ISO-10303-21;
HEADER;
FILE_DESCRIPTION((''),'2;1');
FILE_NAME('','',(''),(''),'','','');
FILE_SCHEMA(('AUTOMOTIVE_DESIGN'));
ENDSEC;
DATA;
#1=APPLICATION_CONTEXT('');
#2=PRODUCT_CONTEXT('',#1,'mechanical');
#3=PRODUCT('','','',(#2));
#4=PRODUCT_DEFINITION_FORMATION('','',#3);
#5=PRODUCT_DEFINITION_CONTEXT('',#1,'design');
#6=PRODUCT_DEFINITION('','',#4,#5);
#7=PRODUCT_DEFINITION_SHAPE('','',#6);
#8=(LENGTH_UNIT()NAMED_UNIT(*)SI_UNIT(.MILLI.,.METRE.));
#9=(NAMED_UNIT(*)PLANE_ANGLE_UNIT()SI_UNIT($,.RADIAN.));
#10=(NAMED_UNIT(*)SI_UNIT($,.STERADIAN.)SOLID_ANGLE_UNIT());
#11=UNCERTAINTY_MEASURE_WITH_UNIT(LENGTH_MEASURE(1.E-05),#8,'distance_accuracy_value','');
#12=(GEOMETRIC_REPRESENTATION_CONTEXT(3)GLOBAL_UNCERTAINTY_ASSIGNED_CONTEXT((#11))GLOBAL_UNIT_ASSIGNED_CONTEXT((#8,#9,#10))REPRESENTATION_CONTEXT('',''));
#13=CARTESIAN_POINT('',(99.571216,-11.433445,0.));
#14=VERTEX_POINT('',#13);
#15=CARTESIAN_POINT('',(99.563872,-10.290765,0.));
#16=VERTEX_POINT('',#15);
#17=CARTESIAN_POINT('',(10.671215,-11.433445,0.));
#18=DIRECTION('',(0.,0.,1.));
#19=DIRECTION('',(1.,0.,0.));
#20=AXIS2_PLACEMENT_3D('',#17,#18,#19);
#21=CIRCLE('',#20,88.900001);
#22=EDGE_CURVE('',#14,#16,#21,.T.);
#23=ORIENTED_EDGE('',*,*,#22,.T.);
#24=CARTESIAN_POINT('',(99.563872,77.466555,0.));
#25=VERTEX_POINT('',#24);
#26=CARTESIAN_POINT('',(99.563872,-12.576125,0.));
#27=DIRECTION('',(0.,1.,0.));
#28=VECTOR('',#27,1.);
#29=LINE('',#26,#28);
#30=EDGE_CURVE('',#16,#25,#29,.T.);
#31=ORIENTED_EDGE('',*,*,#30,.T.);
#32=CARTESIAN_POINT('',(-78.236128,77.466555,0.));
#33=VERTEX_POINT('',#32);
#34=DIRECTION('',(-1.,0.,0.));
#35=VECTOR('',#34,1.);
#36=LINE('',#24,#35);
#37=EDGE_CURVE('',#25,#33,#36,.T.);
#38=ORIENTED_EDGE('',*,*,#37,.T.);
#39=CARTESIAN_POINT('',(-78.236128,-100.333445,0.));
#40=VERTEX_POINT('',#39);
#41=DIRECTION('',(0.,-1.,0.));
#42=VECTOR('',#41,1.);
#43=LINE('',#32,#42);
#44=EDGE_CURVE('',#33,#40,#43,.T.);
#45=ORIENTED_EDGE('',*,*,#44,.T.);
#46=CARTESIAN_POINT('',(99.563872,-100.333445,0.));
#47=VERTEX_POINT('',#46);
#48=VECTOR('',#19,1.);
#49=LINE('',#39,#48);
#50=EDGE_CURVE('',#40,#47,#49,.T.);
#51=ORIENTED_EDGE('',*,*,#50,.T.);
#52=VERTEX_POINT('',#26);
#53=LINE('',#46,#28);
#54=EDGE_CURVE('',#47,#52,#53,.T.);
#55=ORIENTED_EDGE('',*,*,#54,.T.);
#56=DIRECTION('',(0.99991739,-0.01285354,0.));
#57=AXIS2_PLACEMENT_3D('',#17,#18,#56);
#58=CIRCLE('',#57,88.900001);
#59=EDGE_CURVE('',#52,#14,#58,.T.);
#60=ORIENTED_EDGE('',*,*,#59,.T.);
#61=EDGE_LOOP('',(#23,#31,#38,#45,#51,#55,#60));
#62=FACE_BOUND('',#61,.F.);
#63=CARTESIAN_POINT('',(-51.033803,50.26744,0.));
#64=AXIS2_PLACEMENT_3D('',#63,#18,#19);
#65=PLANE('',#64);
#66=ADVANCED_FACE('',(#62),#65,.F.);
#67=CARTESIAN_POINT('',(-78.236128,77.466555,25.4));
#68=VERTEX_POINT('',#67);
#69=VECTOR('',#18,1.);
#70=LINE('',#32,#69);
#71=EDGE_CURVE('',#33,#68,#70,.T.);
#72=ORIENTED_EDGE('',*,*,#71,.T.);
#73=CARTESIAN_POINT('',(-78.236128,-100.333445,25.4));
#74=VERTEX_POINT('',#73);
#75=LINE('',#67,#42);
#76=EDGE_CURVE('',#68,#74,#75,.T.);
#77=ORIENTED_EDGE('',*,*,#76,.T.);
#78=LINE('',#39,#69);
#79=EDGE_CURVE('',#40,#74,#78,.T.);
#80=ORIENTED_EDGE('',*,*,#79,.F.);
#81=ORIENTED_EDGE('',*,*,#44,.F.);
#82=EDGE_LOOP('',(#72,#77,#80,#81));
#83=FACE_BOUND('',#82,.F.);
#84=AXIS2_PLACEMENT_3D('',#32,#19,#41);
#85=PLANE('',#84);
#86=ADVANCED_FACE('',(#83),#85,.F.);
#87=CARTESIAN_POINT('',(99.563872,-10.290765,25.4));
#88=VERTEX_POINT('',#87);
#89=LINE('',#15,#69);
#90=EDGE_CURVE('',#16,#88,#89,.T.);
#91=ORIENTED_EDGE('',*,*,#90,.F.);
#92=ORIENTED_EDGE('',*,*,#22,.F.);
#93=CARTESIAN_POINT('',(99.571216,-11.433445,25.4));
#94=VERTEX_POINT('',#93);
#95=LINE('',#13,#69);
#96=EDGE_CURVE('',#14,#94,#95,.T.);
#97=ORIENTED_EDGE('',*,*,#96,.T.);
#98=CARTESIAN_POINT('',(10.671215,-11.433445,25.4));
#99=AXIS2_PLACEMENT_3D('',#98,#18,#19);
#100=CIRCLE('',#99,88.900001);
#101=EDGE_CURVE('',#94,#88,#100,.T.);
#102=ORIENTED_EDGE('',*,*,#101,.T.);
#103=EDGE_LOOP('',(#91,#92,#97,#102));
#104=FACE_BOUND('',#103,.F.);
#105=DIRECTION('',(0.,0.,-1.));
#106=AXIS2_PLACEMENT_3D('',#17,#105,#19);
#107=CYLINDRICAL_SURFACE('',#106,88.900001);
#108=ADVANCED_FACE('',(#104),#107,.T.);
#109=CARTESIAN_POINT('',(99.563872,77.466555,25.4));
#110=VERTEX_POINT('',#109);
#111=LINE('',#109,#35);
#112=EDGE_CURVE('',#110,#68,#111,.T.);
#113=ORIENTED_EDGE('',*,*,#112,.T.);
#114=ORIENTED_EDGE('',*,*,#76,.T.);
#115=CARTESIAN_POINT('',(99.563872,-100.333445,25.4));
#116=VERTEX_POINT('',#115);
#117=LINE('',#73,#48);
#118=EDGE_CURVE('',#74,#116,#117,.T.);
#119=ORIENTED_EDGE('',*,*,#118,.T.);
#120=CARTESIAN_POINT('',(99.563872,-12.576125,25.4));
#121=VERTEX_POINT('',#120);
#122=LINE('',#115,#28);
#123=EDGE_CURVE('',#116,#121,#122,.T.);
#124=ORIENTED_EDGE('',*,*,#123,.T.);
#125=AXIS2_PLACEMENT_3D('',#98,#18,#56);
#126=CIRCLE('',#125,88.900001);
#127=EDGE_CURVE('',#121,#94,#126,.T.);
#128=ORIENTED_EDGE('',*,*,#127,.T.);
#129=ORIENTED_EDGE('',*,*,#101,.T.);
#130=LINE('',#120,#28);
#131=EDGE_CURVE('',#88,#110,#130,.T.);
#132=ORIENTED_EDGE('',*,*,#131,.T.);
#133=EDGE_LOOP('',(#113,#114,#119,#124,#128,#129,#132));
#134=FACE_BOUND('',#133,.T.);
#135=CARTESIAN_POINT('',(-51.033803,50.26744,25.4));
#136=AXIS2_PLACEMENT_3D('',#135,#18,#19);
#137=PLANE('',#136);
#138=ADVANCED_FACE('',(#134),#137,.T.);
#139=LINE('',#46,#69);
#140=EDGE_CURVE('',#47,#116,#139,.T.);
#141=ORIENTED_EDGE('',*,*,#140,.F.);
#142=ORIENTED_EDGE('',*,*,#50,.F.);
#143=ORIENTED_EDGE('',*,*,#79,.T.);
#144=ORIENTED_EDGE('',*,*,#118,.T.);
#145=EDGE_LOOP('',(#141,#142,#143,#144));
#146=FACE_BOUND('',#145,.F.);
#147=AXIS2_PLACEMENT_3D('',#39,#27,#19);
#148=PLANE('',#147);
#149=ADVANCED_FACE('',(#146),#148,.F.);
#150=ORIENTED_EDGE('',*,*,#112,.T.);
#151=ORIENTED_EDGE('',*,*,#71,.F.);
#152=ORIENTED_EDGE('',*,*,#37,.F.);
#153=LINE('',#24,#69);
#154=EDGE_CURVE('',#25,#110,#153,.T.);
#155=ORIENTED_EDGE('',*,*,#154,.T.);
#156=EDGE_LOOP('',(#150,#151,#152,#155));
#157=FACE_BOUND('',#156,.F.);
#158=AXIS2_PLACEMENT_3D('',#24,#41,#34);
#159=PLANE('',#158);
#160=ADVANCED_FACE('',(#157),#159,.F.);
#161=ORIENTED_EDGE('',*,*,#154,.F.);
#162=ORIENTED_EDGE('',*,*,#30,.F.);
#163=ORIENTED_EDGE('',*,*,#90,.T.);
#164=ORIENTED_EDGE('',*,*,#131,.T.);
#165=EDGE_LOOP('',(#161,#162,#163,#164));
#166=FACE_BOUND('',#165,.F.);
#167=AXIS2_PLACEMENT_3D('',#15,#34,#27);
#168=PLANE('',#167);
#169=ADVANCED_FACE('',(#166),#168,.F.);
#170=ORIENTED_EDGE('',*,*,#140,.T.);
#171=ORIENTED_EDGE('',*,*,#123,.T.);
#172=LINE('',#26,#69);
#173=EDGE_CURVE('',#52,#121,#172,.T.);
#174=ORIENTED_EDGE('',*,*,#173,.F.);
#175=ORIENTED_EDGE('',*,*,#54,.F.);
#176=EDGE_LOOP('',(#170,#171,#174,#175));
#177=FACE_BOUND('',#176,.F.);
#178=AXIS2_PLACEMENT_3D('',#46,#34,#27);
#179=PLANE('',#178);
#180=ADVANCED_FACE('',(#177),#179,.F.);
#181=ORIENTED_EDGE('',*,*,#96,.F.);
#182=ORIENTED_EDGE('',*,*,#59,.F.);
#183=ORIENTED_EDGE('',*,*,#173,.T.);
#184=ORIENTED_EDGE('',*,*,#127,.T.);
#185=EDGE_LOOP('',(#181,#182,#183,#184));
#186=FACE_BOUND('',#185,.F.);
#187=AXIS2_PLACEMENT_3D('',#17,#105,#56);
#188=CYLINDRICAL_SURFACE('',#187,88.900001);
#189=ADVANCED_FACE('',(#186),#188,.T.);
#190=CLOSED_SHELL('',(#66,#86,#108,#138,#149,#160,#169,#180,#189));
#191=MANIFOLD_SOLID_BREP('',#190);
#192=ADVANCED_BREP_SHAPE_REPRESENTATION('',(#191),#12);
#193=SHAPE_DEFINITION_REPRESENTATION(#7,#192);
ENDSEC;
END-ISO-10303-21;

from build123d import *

# Parameters (mm, degrees)
F1_DEPTH = 25.4


with BuildPart() as f1:
    # F0 (on Top) → F1 (new body)
    with BuildSketch(Plane.XY):
        with BuildLine():
            Line((10.6712168168, 77.4665550828), (-78.2361279793, 77.4665550828))
            Line((-78.2361279793, 77.4665550828), (-78.2361279793, -11.4334449172))
            Line((-78.2361279793, -11.4334449172), (-78.2287839368, -11.4334449172))
            ThreePointArc((-78.2287839368, -11.4334449172), (-52.1905765178, 51.4283481967), (10.6712168168, 77.4665550828))
        make_face()
        with BuildLine():
            Line((99.5638720207, 77.4665550828), (10.6712168168, 77.4665550828))
            ThreePointArc((10.6712168168, 77.4665550828), (73.1277042953, 51.8310560111), (99.5638720207, -10.29076525))
            Line((99.5638720207, -10.29076525), (99.5638720207, 77.4665550828))
        make_face()
        with BuildLine():
            ThreePointArc((99.5638720207, -10.29076525), (73.1277042953, 51.8310560111), (10.6712168168, 77.4665550828))
            ThreePointArc((10.6712168168, 77.4665550828), (-52.1905765178, 51.4283481967), (-78.2287839368, -11.4334449172))
            ThreePointArc((-78.2287839368, -11.4334449172), (-52.1905767843, -74.2952377647), (10.6712160632, -100.3334449172))
            ThreePointArc((10.6712160632, -100.3334449172), (73.1277040272, -74.6979461103), (99.5638720207, -12.5761245844))
            Line((99.5638720207, -12.5761245844), (99.5638720207, -10.29076525))
        make_face()
        with BuildLine():
            Line((-78.2287839368, -11.4334449172), (-78.2361279793, -11.4334449172))
            Line((-78.2361279793, -11.4334449172), (-78.2361279793, -100.3334449172))
            Line((-78.2361279793, -100.3334449172), (10.6712160632, -100.3334449172))
            ThreePointArc((10.6712160632, -100.3334449172), (-52.1905767843, -74.2952377647), (-78.2287839368, -11.4334449172))
        make_face()
        with BuildLine():
            ThreePointArc((99.5712160632, -11.4334449172), (99.5693800336, -10.8620932836), (99.5638720207, -10.29076525))
            Line((99.5638720207, -10.29076525), (99.5638720207, -12.5761245844))
            ThreePointArc((99.5638720207, -12.5761245844), (99.5693800336, -12.0047965508), (99.5712160632, -11.4334449172))
        make_face()
        with BuildLine():
            Line((99.5638720207, -100.3334449172), (99.5638720207, -12.5761245844))
            ThreePointArc((99.5638720207, -12.5761245844), (73.1277040272, -74.6979461103), (10.6712160632, -100.3334449172))
            Line((10.6712160632, -100.3334449172), (99.5638720207, -100.3334449172))
        make_face()
    extrude(amount=F1_DEPTH)


solid = f1.part
